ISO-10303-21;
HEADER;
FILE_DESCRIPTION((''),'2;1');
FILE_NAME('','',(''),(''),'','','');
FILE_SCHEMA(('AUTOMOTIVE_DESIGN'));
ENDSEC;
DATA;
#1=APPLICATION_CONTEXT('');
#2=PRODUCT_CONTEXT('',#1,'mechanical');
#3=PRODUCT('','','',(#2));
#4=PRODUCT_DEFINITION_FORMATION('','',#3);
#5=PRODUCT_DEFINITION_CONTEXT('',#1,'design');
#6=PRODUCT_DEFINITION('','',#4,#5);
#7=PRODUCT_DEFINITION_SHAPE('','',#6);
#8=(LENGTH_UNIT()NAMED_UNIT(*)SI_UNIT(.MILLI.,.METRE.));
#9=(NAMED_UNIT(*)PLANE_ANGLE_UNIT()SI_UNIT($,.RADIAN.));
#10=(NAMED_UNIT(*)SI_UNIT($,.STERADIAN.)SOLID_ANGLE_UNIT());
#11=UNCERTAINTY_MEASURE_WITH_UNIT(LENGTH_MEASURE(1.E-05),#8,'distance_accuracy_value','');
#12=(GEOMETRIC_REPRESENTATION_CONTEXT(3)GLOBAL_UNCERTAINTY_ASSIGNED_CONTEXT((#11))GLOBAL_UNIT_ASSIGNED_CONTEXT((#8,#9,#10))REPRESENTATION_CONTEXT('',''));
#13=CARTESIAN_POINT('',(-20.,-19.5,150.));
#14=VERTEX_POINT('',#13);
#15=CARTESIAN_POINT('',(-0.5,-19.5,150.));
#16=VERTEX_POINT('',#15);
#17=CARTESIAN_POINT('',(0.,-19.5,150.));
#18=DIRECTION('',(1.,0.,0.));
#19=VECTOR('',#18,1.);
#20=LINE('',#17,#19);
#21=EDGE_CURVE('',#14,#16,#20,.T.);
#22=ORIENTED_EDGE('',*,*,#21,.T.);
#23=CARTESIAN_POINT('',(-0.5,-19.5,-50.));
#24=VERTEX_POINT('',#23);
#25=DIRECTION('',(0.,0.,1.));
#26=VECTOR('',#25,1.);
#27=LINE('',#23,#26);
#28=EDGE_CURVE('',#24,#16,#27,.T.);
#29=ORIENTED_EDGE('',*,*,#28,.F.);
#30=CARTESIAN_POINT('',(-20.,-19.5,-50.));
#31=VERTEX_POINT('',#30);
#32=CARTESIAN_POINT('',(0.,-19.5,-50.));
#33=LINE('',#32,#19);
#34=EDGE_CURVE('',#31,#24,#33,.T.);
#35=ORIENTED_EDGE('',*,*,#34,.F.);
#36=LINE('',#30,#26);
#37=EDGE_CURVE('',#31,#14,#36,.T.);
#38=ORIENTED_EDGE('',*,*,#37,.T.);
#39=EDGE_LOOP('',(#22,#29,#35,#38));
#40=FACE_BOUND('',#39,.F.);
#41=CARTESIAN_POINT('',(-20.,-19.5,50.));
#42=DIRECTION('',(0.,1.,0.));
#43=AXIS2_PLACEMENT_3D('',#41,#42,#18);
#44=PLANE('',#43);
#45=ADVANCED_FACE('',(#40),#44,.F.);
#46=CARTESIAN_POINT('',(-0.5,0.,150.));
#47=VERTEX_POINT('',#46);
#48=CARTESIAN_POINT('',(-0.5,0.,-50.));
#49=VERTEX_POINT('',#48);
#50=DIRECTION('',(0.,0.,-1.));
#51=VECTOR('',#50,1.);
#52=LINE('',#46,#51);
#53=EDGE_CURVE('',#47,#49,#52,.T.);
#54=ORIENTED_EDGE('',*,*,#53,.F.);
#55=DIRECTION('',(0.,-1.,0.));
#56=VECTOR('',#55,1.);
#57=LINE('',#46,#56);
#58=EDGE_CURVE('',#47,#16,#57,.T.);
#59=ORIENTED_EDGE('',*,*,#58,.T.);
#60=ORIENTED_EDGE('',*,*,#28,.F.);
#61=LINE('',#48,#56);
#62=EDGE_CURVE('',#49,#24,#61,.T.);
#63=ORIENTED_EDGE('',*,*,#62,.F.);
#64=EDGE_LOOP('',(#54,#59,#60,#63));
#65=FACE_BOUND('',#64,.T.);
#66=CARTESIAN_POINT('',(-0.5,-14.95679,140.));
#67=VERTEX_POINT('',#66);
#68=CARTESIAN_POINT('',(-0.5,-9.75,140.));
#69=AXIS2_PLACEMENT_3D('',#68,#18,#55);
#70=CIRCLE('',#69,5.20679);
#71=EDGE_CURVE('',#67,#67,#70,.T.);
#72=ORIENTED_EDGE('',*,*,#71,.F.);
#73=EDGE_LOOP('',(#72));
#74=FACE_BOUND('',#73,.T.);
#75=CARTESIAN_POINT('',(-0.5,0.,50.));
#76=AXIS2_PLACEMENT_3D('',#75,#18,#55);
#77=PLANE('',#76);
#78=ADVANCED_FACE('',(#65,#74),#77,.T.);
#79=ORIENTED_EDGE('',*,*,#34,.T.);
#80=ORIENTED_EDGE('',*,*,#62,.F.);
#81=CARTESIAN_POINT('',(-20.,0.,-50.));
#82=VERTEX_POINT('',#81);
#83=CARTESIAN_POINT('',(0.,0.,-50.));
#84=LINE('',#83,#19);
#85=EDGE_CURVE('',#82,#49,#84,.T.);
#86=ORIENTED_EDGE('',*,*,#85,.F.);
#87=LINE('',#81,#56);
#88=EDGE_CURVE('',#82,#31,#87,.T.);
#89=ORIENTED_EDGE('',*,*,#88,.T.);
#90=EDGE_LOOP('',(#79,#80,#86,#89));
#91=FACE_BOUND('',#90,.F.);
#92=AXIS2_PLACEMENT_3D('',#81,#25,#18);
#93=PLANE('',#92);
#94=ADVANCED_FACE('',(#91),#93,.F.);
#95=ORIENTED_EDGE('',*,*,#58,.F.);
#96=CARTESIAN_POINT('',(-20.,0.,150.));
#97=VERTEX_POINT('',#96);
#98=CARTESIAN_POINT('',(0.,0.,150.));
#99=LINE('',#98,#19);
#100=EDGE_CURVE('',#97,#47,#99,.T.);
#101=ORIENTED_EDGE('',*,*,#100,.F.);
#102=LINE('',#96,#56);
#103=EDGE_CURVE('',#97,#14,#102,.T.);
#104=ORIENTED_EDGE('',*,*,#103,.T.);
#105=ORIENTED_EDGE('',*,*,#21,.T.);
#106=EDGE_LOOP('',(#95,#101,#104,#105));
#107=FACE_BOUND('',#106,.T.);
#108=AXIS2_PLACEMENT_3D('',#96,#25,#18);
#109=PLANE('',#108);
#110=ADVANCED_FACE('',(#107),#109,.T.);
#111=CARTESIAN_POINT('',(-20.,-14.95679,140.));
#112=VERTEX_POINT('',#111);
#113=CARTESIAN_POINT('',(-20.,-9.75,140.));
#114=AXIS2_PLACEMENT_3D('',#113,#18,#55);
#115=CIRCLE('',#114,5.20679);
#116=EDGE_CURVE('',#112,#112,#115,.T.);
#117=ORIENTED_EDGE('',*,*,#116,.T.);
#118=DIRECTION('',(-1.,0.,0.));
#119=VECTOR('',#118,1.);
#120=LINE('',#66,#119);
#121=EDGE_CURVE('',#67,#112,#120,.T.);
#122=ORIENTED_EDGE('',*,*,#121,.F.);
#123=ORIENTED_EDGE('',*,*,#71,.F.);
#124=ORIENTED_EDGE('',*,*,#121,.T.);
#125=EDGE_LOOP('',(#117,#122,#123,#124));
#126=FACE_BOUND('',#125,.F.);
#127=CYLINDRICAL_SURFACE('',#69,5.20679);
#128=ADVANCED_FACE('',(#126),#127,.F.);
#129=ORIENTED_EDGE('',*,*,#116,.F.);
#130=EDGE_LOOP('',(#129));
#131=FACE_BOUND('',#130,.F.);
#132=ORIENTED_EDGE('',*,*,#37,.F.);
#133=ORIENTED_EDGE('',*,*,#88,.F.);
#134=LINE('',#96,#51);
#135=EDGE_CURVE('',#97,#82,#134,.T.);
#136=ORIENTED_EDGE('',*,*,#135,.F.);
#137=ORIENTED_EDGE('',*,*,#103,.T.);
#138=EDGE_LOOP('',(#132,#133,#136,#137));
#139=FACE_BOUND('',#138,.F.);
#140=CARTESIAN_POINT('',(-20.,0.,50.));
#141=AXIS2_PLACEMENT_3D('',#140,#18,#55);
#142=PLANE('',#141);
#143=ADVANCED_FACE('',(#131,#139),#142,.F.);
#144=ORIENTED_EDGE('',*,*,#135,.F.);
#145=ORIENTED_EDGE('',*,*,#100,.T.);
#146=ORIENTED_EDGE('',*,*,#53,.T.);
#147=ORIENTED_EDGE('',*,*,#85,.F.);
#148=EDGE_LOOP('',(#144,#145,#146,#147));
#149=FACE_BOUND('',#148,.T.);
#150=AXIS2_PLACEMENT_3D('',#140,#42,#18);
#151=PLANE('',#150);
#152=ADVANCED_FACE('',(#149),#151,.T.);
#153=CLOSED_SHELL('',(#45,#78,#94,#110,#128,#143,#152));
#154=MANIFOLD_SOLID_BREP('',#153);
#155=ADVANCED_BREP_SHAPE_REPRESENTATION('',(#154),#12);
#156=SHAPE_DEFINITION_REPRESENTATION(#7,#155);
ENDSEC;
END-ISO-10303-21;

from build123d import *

# Parameters (mm, degrees)
F0_W     = 40
F0_H     = 100
F1_DEPTH = 40
F2_DEPTH = 100
F3_DEPTH = 20.5
F4_DEPTH = 20.5
F6_DEPTH = 25


with BuildPart() as f1:
    # F0 (on Front) → F1 (new body)
    with BuildSketch(Plane.XZ):
        Rectangle(F0_W, F0_H)
    extrude(amount=F1_DEPTH)

    # F2 (add): a face of the model
    f2_faces = [f1.faces().sort_by_distance(p)[0] for p in [
        (0, -20, 50),
    ]]
    extrude(f2_faces, amount=F2_DEPTH)

    # F3 (cut): a face of the model
    f3_faces = [f1.faces().sort_by_distance(p)[0] for p in [
        (20, -20, 50),
    ]]
    extrude(f3_faces, amount=-F3_DEPTH, mode=Mode.SUBTRACT)

    # F4 (cut): a face of the model
    f4_faces = [f1.faces().sort_by_distance(p)[0] for p in [
        (-10.25, -40, 50),
    ]]
    extrude(f4_faces, amount=-F4_DEPTH, mode=Mode.SUBTRACT)

    # F5 (on face) → F6 (cut)
    with BuildSketch(Plane.YZ.offset(-0.5)):
        with BuildLine():
            ThreePointArc((-4.5432102773, 140), (-9.75, 145.2067897227), (-14.9567897227, 140))
            ThreePointArc((-14.9567897227, 140), (-9.75, 134.7932102773), (-4.5432102773, 140))
        make_face()
    extrude(amount=-F6_DEPTH, mode=Mode.SUBTRACT)


solid = f1.part
